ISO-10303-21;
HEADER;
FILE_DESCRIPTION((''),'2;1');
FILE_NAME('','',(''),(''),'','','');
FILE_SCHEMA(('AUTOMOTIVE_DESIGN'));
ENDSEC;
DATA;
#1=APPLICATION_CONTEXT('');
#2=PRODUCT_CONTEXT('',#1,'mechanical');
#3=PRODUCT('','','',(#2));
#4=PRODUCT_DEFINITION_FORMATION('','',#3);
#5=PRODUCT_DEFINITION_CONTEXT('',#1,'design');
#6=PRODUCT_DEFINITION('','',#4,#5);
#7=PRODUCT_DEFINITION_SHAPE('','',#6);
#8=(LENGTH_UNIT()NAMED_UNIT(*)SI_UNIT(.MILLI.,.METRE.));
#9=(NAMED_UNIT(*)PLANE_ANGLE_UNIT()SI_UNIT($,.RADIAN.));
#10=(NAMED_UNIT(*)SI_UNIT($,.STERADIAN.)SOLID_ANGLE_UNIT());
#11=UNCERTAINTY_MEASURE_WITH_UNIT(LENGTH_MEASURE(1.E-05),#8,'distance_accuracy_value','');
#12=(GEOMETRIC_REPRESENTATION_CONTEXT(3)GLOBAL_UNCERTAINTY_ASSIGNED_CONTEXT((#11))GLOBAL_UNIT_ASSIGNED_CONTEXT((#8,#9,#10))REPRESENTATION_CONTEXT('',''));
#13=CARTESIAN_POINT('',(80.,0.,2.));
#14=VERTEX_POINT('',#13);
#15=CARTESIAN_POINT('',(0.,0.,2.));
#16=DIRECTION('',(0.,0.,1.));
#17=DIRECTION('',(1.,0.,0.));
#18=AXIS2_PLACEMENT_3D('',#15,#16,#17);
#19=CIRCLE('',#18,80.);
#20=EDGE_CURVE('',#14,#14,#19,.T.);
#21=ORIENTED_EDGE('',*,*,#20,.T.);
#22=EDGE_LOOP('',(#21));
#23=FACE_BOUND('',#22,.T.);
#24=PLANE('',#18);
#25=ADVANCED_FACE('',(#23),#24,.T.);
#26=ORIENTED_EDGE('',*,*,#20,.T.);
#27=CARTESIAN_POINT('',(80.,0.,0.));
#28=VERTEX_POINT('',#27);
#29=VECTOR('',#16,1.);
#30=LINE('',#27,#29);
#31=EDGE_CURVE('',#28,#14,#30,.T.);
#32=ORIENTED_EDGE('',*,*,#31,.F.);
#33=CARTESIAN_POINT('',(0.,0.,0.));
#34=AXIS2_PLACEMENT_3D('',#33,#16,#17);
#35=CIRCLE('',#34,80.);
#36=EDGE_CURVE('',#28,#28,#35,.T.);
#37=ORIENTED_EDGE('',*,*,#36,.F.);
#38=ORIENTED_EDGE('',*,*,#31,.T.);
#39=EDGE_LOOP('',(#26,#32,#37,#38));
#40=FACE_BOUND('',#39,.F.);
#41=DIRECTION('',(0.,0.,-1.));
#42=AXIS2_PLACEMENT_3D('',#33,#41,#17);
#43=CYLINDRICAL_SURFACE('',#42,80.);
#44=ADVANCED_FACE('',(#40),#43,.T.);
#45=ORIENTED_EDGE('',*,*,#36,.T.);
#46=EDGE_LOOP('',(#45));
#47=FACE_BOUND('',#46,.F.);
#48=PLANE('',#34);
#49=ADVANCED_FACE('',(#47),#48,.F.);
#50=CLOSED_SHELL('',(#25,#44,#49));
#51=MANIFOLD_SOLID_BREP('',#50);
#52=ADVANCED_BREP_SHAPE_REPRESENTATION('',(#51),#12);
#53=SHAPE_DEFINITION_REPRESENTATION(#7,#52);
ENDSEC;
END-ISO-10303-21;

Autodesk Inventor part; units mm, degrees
ref_plane "YZ Plane" through (0, 0, 0) normal (1, 0, 0) x (0, 1, 0)
ref_plane "XZ Plane" through (0, 0, 0) normal (0, 1, 0) x (-1, 0, 0)
ref_plane "XY Plane" through (0, 0, 0) normal (0, 0, 1) x (1, 0, 0)
sketch "Sketch1" plane through (0, 0, 0) normal (0, 0, 1) x (1, 0, 0)
  circle A0 centre (0, 0) radius 80
  dimension "d22" = 160
extrude "Plate1" add sketch "Sketch1" along normal blind 2
equation "\"d2\" = Thickness"
equation "\"BendReliefWidth\" = Thickness"
equation "\"BendReliefDepth\" = 0.5 * Thickness"
equation "\"CornerReliefSize\" = 4 * Thickness"
equation "\"MinimumRemnant\" = 2 * Thickness"
equation "\"TransitionRadius\" = BendRadius"
equation "\"JacobiRadiusSize\" = BendRadius"
equation "\"GapSize\" = Thickness"
equation "\"Thickness\" = 2"
equation "\"BendRadius\" = 5"
properties part number "TKS 3112 top DS cup 2" material "Stainless Steel"
